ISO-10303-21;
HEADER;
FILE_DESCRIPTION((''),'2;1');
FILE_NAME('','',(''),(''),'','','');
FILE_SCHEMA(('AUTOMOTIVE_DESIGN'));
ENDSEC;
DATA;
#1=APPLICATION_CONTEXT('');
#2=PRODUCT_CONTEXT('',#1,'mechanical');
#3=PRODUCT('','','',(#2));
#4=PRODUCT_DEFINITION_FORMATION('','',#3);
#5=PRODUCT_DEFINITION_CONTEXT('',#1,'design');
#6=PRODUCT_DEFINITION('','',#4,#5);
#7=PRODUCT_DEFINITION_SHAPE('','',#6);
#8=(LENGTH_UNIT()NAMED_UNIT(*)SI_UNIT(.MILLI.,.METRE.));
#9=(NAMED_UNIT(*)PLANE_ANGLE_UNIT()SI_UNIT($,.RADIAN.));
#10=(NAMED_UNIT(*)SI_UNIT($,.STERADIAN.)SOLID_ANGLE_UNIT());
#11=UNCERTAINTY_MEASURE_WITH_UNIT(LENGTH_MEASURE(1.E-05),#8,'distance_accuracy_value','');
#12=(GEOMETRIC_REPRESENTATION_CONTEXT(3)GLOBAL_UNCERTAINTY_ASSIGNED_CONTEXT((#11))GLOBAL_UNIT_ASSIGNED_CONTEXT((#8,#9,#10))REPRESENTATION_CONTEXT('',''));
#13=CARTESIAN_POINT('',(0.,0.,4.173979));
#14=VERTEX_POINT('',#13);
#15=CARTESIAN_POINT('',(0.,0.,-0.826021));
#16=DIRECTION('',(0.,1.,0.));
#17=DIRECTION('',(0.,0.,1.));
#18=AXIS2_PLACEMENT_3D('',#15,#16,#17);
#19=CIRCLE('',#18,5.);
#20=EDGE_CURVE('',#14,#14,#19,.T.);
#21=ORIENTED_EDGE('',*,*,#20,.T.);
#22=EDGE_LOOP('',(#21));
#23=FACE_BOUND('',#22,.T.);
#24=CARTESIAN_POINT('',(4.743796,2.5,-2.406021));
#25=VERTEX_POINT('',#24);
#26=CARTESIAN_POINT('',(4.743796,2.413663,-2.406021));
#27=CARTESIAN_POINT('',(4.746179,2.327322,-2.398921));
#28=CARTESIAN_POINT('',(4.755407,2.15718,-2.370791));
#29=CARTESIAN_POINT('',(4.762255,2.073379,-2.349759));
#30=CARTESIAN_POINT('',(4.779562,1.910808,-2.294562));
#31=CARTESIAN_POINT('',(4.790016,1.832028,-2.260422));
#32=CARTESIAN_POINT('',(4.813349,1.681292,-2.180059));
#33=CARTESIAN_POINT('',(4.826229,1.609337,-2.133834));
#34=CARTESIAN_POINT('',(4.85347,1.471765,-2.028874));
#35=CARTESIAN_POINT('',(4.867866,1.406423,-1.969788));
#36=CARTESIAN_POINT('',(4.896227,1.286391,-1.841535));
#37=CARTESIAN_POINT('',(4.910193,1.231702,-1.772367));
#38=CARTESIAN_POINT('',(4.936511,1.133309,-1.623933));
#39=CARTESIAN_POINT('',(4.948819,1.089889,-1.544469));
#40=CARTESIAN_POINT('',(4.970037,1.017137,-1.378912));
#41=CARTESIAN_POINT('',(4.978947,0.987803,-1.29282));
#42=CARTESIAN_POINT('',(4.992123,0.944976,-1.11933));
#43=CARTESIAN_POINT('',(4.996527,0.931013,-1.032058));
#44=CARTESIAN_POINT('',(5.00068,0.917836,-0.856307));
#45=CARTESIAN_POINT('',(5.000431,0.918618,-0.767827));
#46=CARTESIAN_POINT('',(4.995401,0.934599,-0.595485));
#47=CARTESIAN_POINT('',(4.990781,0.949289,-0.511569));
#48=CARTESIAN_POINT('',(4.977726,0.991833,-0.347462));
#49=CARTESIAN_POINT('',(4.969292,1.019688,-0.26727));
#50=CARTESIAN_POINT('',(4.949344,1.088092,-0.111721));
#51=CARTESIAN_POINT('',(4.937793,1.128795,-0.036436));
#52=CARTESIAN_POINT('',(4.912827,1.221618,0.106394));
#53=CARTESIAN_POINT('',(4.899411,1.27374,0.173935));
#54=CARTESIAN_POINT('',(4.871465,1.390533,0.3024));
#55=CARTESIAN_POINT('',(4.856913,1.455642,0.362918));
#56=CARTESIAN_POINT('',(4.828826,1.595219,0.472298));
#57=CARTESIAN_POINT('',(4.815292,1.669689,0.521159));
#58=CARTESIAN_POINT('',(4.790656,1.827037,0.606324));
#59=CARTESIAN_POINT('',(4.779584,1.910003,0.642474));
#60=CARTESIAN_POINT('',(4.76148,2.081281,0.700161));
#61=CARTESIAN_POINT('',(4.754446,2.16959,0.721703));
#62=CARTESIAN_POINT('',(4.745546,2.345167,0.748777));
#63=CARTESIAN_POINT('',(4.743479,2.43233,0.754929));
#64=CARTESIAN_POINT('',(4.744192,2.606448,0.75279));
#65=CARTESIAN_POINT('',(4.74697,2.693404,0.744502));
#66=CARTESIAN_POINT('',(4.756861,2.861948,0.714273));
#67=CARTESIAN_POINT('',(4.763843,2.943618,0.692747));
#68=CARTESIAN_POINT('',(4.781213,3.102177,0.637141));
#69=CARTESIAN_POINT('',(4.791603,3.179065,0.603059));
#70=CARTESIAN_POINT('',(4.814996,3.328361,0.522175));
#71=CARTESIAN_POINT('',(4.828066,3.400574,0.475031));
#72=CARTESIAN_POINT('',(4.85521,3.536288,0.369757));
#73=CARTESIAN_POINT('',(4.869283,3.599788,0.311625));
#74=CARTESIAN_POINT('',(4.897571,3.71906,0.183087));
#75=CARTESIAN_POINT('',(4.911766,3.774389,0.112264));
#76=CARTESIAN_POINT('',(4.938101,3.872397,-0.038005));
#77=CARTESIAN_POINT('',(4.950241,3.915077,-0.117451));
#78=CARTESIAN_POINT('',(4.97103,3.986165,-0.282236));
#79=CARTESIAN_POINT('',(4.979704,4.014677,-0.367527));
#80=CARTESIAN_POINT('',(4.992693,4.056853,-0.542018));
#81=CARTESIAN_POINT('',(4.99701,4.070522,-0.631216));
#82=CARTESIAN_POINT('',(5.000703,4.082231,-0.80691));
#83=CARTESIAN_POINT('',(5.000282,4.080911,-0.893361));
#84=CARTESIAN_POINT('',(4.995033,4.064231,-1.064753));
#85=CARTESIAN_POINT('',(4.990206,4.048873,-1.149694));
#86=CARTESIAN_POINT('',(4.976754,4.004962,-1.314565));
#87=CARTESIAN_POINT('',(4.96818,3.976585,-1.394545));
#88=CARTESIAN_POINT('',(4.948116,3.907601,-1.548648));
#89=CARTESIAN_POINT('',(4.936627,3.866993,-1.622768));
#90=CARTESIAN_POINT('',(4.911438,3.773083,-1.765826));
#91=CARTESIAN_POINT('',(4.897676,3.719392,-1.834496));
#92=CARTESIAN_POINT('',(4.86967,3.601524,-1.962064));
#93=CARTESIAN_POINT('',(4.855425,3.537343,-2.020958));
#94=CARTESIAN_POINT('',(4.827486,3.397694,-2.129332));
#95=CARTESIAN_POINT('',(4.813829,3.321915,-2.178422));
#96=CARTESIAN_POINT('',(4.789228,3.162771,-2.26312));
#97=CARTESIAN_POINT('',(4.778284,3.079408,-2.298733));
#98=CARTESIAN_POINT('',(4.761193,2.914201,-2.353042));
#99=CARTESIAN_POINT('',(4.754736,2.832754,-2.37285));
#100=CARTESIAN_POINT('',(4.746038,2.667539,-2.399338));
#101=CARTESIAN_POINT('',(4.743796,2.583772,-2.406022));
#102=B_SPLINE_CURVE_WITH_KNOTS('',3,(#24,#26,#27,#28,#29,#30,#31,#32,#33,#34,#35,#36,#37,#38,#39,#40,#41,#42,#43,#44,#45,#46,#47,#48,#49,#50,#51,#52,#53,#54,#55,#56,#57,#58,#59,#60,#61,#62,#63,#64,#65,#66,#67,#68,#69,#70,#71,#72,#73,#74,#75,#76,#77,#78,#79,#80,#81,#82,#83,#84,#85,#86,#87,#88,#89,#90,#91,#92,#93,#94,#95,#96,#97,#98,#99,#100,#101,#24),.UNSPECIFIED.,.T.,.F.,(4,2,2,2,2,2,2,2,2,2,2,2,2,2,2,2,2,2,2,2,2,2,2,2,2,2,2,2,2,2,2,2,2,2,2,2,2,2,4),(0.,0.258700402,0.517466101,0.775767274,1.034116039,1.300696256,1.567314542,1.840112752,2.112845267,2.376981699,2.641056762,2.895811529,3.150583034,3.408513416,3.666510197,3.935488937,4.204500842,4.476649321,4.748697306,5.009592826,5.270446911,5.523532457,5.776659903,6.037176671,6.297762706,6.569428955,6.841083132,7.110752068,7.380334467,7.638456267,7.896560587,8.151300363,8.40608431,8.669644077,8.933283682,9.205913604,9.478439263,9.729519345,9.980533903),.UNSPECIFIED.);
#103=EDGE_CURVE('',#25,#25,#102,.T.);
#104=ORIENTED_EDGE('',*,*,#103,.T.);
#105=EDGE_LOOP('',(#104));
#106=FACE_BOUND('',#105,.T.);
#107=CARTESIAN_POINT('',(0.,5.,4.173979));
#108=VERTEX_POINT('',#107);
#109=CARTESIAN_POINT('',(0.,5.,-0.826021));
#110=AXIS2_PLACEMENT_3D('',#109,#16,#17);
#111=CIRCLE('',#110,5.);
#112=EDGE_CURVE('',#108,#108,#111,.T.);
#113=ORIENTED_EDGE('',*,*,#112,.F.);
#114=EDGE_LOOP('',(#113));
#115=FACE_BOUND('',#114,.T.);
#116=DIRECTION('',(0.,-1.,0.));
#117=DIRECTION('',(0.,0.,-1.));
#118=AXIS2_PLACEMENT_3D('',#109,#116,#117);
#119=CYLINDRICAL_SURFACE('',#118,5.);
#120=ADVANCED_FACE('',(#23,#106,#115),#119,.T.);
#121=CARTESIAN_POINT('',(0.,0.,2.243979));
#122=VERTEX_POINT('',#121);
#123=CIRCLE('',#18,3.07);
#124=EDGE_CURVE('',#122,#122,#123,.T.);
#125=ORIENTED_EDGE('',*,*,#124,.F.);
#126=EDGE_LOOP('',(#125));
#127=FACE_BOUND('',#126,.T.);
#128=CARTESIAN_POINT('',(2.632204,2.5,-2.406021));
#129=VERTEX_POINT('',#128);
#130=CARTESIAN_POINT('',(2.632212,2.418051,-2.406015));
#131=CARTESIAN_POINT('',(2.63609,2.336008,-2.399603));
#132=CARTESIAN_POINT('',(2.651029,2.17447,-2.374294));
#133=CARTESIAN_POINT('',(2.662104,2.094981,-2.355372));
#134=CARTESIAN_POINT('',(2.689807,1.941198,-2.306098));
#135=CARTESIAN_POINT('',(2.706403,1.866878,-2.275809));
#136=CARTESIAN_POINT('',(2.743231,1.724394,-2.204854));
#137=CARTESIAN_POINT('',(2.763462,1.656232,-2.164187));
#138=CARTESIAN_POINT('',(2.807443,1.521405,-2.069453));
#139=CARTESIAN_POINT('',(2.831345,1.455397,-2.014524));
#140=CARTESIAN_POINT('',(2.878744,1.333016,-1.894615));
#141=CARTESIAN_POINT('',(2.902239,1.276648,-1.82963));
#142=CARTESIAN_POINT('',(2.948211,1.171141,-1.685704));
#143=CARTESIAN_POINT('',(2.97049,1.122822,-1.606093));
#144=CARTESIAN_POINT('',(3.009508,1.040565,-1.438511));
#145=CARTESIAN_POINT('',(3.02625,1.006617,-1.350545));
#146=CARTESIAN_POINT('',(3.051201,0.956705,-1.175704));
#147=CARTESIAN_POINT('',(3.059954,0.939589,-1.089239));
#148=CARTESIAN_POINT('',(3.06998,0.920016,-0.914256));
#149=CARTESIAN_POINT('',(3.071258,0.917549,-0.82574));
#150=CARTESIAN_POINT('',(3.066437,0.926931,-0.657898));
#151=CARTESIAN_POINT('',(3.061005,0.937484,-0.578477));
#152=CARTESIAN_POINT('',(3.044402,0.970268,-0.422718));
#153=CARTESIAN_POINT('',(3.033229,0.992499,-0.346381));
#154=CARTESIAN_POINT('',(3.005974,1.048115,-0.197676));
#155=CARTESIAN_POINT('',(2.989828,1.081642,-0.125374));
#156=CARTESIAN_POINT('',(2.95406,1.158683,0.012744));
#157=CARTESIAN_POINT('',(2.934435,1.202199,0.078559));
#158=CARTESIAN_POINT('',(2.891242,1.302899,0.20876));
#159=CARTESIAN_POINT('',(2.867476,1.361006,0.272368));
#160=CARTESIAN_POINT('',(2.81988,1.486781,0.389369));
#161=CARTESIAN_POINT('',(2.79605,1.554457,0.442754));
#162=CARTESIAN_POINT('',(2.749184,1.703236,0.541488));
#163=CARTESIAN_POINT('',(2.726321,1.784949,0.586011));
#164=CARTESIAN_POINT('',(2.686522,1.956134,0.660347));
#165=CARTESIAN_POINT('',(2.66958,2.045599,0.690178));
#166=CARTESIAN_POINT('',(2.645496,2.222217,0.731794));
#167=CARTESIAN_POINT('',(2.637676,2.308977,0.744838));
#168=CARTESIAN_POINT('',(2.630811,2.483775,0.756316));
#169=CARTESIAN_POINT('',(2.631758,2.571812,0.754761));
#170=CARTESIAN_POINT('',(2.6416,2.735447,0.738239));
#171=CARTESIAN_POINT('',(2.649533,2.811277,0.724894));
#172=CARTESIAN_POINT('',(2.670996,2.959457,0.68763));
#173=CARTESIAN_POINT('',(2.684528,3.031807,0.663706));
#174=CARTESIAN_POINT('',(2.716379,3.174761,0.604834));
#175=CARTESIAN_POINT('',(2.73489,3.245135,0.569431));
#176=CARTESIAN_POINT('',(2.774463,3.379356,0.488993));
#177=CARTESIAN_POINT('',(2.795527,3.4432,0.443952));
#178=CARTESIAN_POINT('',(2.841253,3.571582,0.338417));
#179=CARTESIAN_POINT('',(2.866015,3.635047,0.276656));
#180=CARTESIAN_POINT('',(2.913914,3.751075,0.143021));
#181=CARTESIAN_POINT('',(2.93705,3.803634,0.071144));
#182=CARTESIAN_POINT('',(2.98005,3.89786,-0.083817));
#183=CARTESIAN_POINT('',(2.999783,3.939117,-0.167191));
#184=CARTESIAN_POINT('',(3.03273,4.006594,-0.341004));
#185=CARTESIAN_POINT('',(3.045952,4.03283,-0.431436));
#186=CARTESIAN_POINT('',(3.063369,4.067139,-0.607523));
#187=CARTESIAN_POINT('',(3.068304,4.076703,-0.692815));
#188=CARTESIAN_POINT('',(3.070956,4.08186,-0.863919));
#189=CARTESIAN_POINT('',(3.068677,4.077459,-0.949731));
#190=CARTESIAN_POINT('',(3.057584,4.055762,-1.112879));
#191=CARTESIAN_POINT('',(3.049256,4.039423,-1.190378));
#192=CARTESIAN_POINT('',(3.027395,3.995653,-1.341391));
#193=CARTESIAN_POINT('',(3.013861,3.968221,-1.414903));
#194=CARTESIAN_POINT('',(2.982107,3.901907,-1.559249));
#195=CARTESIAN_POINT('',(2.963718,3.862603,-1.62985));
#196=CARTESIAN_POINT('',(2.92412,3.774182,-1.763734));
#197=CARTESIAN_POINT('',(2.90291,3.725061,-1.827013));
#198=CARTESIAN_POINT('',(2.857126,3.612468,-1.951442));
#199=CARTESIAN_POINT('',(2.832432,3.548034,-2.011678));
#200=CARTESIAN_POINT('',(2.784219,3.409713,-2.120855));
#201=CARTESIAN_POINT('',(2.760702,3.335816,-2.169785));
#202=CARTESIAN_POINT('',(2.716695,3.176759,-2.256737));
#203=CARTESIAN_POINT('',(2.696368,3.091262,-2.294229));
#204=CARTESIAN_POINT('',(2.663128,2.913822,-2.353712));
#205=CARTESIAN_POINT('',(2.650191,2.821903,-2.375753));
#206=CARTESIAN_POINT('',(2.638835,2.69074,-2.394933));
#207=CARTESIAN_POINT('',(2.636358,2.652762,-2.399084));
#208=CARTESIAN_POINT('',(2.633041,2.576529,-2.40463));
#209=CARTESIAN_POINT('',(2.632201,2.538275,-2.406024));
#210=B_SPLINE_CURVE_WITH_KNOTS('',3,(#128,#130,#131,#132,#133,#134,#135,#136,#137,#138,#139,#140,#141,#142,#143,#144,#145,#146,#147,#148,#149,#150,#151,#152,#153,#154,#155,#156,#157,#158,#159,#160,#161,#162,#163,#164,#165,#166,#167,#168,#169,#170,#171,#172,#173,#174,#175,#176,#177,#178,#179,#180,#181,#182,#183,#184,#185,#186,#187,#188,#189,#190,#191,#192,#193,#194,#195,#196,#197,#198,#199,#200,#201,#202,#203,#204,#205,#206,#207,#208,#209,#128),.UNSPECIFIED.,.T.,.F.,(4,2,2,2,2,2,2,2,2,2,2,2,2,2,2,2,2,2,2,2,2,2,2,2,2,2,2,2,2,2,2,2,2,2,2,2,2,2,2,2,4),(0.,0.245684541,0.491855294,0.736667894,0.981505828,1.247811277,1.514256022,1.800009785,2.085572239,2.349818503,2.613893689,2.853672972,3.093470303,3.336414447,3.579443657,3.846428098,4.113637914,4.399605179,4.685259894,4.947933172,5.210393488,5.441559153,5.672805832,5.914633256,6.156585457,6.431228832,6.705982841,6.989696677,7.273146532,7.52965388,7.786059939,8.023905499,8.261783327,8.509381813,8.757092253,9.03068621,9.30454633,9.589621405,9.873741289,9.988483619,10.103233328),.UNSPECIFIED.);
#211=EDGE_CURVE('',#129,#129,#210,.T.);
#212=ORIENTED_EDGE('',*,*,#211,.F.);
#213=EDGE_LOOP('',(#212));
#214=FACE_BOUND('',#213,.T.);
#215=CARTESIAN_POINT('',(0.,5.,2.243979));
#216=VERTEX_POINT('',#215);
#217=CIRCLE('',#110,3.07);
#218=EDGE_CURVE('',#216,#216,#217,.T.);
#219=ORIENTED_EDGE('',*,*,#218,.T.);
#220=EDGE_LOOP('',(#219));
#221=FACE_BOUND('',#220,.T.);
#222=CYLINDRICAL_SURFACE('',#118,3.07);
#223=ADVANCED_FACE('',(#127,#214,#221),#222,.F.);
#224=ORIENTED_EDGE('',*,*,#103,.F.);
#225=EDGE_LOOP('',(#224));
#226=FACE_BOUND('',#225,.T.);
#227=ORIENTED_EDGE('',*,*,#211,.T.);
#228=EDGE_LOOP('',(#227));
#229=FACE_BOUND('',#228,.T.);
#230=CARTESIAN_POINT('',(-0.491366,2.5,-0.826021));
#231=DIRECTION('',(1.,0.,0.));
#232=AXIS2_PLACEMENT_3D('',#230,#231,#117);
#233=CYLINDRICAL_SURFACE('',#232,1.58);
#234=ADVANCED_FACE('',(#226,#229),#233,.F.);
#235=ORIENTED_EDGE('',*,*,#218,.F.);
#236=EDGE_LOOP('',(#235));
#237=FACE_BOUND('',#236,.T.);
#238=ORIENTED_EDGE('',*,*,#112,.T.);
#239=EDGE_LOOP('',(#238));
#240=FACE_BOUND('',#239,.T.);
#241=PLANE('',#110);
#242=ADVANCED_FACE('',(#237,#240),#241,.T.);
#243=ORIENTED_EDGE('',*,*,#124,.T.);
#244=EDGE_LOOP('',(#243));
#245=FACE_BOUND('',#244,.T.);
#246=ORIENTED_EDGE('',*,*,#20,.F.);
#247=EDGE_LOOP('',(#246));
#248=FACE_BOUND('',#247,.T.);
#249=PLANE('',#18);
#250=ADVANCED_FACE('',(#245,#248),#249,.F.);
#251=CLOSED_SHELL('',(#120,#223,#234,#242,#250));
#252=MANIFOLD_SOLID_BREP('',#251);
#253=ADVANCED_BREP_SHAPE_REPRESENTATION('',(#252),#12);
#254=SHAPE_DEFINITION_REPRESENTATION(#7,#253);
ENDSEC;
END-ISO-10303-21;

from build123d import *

# Parameters (mm, degrees)
SKETCH_1_R      = 5
SKETCH_1_R_2    = 3.07
EXTRUDE_1_DEPTH = 5
SKETCH_2_W      = 11.338543919
SKETCH_2_H      = 3.370146556
EXTRUDE_2_DEPTH = 7
SKETCH_3_R      = 1.58
EXTRUDE_3_DEPTH = 6


with BuildPart() as part:
    # 草图1 → 凸台-拉伸1 (new body)
    with BuildSketch(Plane(origin=(0, 0, 0), x_dir=(1, 0, 0), z_dir=(0, 1, 0))):
        with Locations((0, 0.826021493)):
            Circle(SKETCH_1_R)
        with Locations((0, 0.826021493)):
            Circle(SKETCH_1_R_2, mode=Mode.SUBTRACT)
    extrude(amount=EXTRUDE_1_DEPTH)


with BuildPart() as body_2:
    # 草图2 → 凸台-拉伸2 (new body)
    with BuildSketch(Plane(origin=(0, 5, 0), x_dir=(1, 0, 0), z_dir=(0, 1, 0))):
        with Locations((-0.160637922, 0.629667615)):
            Rectangle(SKETCH_2_W, SKETCH_2_H)
    extrude(amount=-EXTRUDE_2_DEPTH)


with BuildPart() as body_3:
    # 草图3 → 凸台-拉伸3 (new body)
    with BuildSketch(Plane(origin=(5.508634037, 0, 0), x_dir=(0, 0, -1), z_dir=(1, 0, 0))):
        with Locations((0.826021493, 2.5)):
            Circle(SKETCH_3_R)
    extrude(amount=-EXTRUDE_3_DEPTH)


with BuildPart() as part_1:
    add(part.part)

    # Combine 1: cut body 3
    add(body_3.part, mode=Mode.SUBTRACT)


solid = part_1.part
